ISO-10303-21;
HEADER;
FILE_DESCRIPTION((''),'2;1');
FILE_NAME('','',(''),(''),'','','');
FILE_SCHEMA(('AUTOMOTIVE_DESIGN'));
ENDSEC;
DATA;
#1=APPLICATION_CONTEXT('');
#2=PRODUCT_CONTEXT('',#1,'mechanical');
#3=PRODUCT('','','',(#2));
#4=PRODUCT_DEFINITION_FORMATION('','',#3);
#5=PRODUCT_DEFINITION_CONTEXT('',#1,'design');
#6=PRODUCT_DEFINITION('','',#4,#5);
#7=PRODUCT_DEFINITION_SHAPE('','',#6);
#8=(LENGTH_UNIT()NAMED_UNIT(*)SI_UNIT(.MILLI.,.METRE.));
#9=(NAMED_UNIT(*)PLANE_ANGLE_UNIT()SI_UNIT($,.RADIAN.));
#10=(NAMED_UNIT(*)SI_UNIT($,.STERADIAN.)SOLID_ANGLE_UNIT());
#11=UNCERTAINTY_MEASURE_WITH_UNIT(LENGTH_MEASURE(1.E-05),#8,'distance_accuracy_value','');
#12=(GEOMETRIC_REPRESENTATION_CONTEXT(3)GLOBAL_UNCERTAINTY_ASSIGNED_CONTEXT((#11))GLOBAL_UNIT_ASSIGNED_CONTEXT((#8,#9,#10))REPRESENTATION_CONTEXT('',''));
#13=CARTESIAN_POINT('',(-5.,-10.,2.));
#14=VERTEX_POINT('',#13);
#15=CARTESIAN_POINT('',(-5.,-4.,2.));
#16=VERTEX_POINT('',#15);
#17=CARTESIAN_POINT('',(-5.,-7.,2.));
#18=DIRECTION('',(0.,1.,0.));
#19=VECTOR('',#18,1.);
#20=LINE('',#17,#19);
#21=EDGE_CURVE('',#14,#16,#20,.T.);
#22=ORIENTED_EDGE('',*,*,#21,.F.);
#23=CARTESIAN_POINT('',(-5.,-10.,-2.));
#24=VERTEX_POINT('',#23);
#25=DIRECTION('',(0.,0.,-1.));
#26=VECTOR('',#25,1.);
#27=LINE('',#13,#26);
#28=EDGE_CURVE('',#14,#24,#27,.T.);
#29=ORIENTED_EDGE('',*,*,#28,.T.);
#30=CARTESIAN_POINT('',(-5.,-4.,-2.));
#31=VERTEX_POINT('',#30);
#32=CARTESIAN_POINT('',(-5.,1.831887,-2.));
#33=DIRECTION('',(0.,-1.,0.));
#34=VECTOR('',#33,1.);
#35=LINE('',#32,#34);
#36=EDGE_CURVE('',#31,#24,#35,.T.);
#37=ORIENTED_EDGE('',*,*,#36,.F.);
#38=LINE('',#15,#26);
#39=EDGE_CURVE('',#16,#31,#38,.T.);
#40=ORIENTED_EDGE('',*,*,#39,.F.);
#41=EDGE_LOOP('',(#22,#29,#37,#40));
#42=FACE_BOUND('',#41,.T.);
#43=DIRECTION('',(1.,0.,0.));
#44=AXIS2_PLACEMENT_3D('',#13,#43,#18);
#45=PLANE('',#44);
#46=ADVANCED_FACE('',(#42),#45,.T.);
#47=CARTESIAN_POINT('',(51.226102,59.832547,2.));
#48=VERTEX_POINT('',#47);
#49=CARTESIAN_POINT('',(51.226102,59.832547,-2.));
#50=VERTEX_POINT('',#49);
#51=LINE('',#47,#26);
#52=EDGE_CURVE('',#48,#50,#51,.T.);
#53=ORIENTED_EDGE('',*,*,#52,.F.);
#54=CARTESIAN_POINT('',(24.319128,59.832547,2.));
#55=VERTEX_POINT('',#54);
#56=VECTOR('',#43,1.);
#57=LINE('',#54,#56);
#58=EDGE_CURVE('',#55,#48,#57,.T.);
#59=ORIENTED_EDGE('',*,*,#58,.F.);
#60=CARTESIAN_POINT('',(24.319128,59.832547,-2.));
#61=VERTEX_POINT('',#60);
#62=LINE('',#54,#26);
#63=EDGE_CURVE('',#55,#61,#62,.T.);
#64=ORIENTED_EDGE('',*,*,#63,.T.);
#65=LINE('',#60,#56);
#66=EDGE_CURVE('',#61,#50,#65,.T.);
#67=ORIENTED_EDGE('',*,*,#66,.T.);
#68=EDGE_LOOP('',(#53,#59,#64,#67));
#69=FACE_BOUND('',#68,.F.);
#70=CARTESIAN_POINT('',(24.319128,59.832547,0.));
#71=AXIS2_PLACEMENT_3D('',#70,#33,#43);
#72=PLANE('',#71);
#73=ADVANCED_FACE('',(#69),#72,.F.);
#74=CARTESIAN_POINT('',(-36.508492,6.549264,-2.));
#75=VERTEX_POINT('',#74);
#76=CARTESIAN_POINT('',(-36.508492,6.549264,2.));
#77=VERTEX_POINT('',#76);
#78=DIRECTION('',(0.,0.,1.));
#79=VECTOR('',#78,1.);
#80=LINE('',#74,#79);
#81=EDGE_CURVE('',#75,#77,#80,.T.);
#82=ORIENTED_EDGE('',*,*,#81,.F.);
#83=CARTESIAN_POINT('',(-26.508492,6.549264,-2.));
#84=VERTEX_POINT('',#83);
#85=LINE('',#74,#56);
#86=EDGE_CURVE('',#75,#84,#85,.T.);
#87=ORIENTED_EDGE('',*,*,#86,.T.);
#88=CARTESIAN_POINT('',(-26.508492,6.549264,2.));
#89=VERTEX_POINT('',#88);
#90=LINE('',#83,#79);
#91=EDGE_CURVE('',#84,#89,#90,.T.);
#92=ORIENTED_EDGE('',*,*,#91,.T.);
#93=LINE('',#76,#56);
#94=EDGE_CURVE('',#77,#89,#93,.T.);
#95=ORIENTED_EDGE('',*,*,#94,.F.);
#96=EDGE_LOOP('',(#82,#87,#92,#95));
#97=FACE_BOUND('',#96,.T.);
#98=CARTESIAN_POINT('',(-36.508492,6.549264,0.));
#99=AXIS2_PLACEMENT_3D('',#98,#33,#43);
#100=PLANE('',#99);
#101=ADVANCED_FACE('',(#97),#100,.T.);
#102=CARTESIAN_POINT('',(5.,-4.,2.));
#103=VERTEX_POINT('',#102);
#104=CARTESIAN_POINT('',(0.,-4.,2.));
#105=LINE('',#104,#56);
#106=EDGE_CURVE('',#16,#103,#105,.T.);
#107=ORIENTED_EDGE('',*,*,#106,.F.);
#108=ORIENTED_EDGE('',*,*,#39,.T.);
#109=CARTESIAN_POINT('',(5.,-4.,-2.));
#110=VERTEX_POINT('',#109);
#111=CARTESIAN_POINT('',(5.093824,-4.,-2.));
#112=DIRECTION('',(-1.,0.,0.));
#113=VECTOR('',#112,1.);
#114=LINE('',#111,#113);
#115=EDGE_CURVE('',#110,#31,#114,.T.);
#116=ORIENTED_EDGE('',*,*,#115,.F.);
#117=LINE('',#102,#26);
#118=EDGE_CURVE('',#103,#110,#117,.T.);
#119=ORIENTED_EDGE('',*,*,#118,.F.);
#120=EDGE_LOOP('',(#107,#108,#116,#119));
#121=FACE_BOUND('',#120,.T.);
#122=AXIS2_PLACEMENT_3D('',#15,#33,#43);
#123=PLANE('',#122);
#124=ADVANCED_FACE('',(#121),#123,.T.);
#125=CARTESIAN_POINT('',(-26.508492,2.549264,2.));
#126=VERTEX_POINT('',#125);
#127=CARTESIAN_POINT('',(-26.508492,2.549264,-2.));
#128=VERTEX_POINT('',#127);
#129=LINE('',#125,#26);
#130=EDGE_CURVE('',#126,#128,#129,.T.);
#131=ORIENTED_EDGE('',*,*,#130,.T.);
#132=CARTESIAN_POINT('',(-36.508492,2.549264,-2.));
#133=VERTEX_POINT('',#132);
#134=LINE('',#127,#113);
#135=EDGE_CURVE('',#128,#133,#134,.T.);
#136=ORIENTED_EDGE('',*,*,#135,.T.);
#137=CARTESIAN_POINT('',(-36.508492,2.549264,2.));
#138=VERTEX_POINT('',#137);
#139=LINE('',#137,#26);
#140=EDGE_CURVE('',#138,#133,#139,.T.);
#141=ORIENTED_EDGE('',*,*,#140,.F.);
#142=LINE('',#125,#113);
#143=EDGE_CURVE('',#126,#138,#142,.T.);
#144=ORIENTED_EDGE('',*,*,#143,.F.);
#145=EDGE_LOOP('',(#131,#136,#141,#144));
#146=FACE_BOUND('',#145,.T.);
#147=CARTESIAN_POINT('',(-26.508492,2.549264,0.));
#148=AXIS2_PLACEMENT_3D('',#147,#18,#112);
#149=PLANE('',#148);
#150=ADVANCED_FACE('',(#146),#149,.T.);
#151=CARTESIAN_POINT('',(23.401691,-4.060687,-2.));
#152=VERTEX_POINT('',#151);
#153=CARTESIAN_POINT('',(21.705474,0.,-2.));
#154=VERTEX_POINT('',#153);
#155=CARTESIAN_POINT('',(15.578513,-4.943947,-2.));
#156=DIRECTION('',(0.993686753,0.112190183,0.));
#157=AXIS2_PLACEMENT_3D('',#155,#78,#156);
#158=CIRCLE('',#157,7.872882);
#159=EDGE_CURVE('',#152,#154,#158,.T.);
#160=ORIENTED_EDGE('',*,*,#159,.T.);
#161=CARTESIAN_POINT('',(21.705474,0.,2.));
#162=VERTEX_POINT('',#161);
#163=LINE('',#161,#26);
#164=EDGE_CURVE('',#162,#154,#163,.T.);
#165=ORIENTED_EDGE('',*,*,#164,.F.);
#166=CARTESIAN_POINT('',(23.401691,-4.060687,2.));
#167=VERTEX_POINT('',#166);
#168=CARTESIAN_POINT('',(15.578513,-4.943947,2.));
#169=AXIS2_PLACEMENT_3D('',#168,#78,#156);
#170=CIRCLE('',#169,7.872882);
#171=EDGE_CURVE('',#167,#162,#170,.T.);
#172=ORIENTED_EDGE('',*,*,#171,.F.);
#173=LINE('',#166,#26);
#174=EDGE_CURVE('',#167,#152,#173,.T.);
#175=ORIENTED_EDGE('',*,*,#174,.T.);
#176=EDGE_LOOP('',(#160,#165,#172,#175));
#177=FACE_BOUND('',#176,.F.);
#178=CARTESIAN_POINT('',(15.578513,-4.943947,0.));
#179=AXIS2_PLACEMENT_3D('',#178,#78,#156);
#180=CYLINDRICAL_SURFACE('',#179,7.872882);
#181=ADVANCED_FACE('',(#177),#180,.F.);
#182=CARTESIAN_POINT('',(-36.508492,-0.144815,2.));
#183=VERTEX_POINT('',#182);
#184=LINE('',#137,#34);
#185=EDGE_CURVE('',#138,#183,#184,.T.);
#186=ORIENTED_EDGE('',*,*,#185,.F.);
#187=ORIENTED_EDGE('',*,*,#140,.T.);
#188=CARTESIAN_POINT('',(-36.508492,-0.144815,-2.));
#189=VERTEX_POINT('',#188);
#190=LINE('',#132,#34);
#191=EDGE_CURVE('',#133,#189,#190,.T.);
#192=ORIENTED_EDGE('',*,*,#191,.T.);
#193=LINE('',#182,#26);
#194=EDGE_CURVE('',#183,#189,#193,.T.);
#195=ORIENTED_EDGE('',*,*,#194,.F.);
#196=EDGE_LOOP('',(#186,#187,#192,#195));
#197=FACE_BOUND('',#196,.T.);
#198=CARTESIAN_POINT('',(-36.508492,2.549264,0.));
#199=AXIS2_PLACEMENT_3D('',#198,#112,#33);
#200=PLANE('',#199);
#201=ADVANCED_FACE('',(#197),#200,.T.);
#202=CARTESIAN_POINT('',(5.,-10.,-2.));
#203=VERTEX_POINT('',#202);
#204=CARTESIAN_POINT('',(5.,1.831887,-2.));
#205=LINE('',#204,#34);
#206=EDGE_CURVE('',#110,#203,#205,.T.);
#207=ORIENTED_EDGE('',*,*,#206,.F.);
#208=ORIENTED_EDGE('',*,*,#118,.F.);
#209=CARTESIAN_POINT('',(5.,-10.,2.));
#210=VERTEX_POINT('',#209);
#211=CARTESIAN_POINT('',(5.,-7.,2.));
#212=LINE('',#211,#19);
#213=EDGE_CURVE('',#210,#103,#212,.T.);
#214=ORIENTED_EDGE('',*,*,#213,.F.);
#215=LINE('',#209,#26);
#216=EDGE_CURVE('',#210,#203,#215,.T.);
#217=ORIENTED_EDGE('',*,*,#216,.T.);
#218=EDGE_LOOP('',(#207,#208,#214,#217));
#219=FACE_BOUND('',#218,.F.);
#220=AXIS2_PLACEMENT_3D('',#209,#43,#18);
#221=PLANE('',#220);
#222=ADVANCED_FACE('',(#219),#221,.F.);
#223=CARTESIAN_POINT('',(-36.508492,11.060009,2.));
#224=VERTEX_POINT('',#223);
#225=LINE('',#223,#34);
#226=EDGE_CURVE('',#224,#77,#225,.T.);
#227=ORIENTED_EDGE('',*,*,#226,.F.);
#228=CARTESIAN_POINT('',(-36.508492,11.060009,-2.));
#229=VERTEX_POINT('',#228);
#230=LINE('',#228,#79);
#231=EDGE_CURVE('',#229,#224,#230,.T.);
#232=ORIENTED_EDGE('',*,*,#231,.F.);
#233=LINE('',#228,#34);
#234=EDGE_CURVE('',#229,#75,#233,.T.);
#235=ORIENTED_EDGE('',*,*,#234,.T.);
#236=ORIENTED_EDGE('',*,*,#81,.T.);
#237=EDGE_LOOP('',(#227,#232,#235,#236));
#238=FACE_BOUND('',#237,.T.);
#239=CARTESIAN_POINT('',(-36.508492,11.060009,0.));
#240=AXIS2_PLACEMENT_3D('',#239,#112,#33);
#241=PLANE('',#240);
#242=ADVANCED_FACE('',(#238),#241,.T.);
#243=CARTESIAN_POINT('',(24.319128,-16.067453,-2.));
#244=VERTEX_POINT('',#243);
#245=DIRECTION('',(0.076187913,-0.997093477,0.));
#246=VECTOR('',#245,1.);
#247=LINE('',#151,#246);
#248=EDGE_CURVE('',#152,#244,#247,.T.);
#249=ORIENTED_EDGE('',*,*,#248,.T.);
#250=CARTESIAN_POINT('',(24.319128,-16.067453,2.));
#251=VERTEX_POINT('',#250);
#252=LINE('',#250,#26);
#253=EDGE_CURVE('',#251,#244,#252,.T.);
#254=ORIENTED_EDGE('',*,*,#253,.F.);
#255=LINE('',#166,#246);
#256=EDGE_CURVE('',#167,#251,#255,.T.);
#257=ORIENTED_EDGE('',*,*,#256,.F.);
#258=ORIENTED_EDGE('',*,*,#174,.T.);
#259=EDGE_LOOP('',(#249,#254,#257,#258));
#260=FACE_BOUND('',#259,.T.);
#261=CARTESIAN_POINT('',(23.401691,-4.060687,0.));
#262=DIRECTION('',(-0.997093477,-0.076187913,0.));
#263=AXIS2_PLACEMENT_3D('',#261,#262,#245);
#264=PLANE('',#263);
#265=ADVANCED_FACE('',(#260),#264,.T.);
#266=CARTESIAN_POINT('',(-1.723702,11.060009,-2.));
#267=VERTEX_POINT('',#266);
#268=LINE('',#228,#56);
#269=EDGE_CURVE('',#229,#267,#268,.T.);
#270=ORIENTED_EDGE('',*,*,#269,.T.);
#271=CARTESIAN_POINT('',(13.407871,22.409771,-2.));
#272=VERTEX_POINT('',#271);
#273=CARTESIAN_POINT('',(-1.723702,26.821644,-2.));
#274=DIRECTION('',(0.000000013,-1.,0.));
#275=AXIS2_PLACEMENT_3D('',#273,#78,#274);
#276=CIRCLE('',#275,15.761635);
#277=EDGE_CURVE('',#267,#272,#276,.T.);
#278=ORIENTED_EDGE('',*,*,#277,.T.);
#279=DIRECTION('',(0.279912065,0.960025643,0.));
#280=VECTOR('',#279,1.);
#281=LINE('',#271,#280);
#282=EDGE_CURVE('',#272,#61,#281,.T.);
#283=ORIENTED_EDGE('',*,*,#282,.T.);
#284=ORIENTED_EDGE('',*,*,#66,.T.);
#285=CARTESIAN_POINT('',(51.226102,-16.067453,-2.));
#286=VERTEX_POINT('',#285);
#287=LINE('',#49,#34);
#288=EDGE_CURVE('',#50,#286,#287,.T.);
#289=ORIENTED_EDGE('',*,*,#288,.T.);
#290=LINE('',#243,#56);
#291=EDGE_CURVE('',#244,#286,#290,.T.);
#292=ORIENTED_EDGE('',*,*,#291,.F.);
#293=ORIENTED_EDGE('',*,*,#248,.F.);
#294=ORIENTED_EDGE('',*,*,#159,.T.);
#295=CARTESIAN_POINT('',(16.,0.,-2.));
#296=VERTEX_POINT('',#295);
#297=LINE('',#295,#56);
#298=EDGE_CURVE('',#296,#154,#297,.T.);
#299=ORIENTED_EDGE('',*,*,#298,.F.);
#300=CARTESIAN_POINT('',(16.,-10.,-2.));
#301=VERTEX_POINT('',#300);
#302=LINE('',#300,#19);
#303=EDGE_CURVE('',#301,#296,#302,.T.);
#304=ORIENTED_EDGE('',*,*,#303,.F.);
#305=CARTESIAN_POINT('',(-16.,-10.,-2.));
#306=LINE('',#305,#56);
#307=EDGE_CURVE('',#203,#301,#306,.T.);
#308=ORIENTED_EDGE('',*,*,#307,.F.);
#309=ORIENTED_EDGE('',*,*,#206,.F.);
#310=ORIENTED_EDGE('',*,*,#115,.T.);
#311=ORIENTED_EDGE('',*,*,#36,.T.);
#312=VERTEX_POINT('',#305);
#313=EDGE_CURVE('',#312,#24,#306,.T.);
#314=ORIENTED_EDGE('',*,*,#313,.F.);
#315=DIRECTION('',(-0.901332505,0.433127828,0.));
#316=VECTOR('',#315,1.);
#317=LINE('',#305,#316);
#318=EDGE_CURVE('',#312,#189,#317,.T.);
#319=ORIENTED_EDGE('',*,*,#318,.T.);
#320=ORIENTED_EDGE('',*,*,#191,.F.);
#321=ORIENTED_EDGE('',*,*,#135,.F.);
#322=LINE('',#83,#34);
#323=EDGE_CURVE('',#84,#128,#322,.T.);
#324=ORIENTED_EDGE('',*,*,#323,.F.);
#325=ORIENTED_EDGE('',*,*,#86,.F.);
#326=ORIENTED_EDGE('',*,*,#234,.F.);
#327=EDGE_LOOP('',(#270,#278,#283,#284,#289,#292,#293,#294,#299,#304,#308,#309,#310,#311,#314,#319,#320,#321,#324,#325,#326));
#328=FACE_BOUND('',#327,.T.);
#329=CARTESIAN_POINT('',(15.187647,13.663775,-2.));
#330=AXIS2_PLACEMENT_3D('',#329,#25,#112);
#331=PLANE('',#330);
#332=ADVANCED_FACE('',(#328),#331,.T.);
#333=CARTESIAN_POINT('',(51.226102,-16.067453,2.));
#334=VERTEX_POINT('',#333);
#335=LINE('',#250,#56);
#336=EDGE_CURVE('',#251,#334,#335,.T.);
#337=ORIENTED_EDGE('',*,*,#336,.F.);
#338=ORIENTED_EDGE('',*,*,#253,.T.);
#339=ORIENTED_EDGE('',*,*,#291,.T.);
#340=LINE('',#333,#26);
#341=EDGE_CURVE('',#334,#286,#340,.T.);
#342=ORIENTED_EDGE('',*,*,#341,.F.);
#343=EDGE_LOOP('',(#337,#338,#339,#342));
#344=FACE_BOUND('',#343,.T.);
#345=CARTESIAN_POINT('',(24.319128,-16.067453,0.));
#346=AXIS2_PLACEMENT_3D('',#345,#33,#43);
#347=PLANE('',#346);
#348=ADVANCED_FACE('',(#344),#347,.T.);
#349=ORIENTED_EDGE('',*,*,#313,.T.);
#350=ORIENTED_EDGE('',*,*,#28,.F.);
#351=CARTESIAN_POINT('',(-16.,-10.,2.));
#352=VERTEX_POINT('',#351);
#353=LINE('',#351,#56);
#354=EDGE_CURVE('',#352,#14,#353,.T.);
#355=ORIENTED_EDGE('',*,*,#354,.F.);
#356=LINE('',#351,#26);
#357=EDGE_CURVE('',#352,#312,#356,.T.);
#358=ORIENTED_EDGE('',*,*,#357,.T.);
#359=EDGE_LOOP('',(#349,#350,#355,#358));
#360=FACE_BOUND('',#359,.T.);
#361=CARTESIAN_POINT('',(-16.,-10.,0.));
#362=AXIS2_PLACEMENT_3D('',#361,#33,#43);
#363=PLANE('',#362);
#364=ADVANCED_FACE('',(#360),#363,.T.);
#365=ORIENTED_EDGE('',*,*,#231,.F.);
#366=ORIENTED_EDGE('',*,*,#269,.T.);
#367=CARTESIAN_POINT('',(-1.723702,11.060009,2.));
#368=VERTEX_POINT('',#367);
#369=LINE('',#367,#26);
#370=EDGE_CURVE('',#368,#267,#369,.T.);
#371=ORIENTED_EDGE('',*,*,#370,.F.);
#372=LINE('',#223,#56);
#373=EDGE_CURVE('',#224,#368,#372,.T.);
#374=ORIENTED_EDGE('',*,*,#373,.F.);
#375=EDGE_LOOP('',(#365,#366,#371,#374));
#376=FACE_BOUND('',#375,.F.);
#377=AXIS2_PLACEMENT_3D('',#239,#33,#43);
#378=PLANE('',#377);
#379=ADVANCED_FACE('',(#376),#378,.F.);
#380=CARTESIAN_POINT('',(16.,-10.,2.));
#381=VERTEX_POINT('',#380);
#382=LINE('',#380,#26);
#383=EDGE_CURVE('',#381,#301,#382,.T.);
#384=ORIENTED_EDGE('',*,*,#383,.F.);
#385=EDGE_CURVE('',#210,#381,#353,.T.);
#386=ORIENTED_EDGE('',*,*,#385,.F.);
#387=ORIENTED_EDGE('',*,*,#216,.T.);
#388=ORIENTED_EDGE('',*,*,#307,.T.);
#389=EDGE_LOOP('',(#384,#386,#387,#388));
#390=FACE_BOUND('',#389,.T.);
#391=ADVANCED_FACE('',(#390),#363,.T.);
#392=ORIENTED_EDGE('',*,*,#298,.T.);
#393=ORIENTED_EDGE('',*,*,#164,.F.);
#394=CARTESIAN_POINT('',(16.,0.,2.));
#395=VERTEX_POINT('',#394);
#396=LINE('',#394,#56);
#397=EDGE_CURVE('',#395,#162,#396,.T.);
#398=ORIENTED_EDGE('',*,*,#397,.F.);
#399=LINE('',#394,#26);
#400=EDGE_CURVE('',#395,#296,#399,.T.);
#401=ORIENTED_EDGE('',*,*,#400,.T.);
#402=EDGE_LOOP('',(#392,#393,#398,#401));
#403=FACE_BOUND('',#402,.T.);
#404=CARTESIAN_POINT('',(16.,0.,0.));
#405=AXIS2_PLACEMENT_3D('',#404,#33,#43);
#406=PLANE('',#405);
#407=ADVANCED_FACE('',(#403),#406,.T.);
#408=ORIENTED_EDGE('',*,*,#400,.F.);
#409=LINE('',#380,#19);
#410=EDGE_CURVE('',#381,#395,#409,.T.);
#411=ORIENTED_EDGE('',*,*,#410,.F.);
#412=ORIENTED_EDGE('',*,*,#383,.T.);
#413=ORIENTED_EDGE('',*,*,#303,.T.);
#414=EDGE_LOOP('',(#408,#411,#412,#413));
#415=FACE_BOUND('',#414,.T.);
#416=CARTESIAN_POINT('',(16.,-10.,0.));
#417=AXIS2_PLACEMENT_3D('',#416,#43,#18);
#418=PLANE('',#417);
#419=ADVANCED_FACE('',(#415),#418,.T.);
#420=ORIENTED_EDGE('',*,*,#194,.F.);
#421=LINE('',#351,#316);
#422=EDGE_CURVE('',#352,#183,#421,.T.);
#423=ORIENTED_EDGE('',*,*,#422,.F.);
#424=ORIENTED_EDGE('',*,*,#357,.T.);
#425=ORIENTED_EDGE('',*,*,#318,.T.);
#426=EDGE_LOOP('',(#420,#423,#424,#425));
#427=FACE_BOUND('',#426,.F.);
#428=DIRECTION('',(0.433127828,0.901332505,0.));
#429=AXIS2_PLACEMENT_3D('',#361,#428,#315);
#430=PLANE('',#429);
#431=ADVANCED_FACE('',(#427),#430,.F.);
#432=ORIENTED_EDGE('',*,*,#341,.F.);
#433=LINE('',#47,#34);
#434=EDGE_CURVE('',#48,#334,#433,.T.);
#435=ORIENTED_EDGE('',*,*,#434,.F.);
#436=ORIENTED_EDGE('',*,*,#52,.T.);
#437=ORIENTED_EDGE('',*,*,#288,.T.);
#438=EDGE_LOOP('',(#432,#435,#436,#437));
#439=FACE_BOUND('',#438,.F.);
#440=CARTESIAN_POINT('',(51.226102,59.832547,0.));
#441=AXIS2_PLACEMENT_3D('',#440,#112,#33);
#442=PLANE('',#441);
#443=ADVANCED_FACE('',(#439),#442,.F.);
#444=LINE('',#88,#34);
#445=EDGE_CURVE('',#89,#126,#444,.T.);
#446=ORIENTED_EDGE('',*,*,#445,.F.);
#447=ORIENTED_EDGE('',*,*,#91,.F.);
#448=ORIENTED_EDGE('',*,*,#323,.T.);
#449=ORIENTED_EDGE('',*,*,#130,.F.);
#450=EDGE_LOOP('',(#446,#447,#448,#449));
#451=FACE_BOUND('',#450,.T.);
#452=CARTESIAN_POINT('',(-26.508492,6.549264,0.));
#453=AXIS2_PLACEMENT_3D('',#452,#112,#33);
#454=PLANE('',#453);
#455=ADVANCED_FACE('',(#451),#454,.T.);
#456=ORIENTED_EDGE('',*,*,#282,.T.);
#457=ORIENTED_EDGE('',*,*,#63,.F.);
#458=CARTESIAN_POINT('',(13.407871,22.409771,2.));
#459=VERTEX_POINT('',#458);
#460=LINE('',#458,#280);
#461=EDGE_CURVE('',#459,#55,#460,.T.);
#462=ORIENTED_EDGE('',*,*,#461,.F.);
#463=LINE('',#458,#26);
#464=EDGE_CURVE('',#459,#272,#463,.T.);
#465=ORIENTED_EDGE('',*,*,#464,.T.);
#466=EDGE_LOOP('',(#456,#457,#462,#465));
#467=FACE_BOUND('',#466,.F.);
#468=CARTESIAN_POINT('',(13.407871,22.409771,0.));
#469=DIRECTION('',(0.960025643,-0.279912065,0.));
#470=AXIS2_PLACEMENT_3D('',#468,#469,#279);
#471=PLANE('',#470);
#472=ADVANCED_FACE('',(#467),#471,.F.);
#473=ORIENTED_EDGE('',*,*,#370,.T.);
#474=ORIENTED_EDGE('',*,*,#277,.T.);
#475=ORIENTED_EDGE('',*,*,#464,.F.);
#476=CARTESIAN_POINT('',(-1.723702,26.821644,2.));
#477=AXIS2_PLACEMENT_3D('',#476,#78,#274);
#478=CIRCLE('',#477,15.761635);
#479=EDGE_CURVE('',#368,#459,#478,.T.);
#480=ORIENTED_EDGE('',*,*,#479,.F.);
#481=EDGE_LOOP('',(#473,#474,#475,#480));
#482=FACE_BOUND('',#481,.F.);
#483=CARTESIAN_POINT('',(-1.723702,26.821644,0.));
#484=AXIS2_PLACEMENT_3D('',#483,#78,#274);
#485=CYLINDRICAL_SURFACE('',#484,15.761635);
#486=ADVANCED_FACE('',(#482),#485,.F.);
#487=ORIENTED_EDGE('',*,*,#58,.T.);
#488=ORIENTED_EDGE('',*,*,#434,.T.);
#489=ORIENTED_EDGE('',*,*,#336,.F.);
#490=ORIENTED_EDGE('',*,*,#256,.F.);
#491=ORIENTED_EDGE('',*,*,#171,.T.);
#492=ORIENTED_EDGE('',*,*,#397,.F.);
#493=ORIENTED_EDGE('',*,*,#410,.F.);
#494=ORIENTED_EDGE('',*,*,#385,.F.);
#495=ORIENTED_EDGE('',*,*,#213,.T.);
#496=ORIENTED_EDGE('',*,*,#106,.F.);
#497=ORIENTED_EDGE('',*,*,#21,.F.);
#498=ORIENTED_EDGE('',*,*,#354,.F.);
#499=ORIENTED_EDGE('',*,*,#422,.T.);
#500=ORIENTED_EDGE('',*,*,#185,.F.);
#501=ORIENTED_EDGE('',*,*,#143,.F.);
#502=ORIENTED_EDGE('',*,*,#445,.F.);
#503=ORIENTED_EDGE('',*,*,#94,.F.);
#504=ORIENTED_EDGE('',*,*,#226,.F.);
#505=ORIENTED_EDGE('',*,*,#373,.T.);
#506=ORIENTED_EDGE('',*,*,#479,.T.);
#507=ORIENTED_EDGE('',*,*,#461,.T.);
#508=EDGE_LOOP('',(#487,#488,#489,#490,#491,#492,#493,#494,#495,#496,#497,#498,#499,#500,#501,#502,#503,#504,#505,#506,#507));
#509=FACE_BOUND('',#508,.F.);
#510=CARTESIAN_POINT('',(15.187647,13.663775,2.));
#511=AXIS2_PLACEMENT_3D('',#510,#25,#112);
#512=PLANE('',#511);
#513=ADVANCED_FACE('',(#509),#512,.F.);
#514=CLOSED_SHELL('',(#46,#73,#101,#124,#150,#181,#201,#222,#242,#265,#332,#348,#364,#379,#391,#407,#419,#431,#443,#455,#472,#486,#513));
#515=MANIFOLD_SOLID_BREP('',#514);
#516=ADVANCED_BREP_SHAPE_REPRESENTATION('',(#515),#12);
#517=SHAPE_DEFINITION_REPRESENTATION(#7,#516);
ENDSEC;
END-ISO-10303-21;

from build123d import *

# Parameters (mm, degrees)
PAD_DEPTH    = 2
SKETCH_W     = 10
SKETCH_H     = 6
POCKET_DEPTH = 4.001


with BuildPart() as part:
    # CopySketch004 → Pad (new body, symmetric)
    with BuildSketch(Plane.XY):
        with BuildLine():
            Line((-36.508492, 11.060009), (-1.723702, 11.060009))
            ThreePointArc((-1.723702, 11.060009), (7.733856, 14.212769), (13.407871, 22.409771))
            Line((13.407871, 22.409771), (24.319128, 59.832547))
            Line((24.319128, 59.832547), (51.226102, 59.832547))
            Line((51.226102, 59.832547), (51.226102, -16.067453))
            Line((24.319128, -16.067453), (51.226102, -16.067453))
            Line((23.401691, -4.060687), (24.319128, -16.067453))
            ThreePointArc((23.401691, -4.060687), (22.843077, -1.909417), (21.705474, 0))
            Line((16, 0), (21.705474, 0))
            Line((16, -10), (16, 0))
            Line((-16, -10), (16, -10))
            Line((-16, -10), (-36.508492, -0.144815))
            Line((-36.508492, 2.549264), (-36.508492, -0.144815))
            Line((-26.508492, 2.549264), (-36.508492, 2.549264))
            Line((-26.508492, 6.549264), (-26.508492, 2.549264))
            Line((-36.508492, 6.549264), (-26.508492, 6.549264))
            Line((-36.508492, 11.060009), (-36.508492, 6.549264))
        make_face()
    extrude(amount=PAD_DEPTH, both=True)

    # Sketch (on Face19 of Pad) → Pocket (cut, through all)
    with BuildSketch(Plane.XY.offset(2)):
        with Locations((0, -7)):
            Rectangle(SKETCH_W, SKETCH_H)
    extrude(amount=-POCKET_DEPTH, mode=Mode.SUBTRACT)


solid = part.part
